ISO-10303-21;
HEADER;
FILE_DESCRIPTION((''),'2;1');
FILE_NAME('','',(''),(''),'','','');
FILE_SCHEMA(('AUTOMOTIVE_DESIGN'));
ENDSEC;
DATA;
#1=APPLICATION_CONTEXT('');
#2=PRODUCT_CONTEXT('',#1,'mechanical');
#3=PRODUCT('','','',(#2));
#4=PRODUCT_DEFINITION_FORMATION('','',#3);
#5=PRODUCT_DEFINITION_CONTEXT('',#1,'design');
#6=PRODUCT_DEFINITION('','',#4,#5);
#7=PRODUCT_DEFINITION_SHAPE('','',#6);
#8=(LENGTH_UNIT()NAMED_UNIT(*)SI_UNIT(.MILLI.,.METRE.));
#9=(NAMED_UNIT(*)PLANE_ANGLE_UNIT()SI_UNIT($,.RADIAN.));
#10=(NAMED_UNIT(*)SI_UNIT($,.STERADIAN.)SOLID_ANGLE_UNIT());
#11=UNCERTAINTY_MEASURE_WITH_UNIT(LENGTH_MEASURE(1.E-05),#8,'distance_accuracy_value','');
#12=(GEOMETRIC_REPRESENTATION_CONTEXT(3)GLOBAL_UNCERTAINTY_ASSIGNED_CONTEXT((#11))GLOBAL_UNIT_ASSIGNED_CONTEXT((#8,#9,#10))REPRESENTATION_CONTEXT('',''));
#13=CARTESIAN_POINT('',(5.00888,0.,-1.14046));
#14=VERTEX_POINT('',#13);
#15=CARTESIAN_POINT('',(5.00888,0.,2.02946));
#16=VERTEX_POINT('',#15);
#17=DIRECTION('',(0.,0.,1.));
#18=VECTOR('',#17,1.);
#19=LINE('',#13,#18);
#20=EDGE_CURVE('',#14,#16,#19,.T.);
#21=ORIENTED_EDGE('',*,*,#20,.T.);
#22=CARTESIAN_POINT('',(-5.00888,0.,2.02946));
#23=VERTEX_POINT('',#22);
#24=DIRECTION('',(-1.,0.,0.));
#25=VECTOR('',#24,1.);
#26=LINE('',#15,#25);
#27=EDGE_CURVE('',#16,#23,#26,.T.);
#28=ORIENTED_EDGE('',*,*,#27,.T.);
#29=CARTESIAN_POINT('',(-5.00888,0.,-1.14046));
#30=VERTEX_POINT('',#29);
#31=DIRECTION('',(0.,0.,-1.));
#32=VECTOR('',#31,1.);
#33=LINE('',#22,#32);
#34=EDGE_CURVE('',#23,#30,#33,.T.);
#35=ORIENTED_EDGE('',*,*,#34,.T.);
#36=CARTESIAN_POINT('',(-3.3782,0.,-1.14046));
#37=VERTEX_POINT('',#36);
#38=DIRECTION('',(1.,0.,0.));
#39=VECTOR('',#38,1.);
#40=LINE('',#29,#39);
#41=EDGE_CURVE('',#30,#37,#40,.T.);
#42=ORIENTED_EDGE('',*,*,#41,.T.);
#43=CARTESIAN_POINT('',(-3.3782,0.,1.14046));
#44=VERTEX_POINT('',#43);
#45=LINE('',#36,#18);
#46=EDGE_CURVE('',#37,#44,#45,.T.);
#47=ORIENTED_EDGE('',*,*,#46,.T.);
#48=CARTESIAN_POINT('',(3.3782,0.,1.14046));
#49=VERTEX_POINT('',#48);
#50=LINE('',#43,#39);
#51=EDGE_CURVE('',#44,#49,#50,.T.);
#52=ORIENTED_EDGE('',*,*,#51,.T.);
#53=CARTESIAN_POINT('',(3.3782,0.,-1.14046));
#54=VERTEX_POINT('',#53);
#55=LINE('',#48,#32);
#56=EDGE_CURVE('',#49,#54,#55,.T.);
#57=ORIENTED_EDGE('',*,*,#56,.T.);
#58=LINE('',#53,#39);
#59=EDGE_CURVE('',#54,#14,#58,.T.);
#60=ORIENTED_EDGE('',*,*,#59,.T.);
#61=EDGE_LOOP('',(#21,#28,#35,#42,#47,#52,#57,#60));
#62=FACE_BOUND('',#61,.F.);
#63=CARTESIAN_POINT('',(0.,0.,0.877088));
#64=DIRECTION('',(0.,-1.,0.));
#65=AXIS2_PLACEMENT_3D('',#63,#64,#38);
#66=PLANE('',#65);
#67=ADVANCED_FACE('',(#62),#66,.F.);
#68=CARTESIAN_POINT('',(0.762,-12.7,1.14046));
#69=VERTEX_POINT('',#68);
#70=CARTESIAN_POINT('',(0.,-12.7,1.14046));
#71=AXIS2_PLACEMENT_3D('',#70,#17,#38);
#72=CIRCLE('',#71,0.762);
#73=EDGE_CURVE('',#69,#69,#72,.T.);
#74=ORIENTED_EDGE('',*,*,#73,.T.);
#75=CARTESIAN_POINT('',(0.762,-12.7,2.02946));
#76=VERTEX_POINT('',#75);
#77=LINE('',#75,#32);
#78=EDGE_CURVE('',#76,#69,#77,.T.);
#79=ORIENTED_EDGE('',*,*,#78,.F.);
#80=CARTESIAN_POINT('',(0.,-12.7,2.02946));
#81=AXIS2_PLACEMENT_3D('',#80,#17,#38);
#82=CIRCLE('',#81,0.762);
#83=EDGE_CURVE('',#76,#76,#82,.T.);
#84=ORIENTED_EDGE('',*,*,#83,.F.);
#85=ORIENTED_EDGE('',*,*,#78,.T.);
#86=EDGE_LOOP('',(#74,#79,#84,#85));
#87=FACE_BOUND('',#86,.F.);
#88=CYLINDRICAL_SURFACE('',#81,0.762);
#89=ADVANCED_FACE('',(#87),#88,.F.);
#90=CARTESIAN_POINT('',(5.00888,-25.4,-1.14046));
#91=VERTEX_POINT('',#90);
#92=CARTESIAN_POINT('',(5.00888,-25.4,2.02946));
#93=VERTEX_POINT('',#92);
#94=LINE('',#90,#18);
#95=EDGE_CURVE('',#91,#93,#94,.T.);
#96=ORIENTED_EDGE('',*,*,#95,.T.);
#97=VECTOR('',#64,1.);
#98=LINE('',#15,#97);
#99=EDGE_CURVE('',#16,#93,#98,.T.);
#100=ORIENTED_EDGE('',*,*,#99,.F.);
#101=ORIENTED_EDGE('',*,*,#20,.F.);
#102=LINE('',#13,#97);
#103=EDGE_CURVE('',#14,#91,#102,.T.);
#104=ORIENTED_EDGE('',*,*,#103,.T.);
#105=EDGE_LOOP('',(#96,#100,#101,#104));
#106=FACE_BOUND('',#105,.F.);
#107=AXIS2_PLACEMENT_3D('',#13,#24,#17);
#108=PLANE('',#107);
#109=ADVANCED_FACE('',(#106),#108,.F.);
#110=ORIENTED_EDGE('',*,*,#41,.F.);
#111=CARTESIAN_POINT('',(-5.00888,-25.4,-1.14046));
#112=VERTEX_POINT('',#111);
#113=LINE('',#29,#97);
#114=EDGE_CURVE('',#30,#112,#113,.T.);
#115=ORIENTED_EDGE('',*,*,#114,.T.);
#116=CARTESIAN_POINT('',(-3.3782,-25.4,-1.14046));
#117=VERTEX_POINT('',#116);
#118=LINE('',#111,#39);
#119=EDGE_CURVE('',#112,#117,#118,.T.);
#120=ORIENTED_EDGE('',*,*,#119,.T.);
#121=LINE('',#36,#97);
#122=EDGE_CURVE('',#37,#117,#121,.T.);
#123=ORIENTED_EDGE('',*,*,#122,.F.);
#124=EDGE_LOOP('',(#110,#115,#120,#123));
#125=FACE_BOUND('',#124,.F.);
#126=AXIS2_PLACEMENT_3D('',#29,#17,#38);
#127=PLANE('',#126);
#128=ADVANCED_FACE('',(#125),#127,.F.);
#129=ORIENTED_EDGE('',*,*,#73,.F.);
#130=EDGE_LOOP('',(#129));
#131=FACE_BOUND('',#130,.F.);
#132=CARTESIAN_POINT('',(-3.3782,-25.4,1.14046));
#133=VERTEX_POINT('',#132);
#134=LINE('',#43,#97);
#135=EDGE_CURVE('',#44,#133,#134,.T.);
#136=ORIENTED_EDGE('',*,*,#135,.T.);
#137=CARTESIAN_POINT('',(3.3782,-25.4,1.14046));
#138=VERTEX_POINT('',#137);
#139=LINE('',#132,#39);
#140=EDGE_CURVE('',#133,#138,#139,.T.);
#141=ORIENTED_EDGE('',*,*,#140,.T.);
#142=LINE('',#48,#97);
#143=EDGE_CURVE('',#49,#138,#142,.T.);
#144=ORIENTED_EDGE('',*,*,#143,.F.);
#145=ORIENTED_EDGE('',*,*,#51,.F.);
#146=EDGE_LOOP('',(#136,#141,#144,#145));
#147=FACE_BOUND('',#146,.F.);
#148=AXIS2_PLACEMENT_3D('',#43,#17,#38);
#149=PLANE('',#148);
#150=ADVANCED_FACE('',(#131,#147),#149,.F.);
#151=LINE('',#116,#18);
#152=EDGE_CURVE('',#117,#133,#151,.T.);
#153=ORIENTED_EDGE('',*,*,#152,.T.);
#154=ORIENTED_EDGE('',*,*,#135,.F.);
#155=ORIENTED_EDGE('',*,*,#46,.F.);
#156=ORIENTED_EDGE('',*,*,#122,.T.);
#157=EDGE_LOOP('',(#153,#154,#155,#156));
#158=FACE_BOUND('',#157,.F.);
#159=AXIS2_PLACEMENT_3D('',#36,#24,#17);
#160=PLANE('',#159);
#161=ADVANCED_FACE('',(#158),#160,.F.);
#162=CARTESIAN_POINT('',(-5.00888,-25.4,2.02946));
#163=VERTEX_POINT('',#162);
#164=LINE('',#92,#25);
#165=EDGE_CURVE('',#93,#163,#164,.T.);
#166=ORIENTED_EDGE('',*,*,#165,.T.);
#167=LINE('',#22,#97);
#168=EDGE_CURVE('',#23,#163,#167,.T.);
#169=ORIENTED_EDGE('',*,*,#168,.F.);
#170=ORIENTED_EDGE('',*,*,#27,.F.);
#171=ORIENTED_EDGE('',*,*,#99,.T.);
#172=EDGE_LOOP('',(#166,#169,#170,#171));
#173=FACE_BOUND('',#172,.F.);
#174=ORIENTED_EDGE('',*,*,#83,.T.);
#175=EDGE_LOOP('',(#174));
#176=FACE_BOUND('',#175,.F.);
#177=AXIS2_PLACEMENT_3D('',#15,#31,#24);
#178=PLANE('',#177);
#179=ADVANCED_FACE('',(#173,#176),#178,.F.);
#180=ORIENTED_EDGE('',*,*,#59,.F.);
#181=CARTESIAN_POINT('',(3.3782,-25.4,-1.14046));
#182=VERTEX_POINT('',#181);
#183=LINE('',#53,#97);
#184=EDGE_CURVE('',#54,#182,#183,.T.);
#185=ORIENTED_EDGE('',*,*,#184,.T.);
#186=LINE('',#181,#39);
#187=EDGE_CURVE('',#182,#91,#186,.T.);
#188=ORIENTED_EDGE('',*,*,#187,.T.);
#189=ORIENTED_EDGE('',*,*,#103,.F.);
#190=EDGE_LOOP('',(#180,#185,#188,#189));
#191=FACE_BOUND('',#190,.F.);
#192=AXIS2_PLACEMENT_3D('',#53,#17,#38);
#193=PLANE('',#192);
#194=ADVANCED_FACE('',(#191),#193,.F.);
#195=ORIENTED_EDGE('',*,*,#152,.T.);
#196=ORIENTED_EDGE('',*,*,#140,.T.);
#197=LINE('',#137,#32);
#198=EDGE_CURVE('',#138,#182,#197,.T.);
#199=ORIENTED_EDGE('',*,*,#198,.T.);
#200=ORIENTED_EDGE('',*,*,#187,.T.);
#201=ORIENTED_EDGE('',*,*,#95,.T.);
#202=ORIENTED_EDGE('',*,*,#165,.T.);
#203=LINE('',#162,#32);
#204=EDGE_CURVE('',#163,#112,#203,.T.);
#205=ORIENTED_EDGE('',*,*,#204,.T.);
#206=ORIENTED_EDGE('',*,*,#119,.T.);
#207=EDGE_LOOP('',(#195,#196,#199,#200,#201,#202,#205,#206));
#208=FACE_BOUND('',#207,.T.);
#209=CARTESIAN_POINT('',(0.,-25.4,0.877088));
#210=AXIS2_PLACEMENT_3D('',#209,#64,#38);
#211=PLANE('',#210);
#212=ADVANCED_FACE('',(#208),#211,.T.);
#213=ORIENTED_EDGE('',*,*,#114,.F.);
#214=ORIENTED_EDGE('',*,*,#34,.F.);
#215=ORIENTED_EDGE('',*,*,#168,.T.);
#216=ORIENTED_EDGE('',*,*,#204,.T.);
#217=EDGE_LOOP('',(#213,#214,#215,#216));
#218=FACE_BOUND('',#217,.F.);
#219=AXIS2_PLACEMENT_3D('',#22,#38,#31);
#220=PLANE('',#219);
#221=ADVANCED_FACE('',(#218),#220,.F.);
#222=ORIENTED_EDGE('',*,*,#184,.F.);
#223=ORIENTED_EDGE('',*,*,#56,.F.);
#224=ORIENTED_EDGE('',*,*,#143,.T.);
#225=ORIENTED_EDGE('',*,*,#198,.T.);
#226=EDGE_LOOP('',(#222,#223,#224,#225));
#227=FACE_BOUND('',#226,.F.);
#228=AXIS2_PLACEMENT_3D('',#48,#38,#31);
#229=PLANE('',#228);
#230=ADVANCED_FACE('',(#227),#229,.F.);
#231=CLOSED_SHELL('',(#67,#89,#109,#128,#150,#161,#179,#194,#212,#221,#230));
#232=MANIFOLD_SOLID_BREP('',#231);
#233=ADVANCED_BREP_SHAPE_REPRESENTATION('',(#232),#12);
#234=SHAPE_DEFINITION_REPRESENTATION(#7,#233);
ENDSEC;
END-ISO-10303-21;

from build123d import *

# Parameters (mm, degrees)
F1_DEPTH = 25.4
F2_R     = 0.762
F3_DEPTH = 3.17092


with BuildPart() as f1:
    # F0 (on Front) → F1 (new body)
    with BuildSketch(Plane.XZ):
        Polygon((5.00888, -1.14046), (5.00888, 2.02946), (-5.00888, 2.02946), (-5.00888, -1.14046), (-3.3782, -1.14046), (-3.3782, 1.14046), (3.3782, 1.14046), (3.3782, -1.14046), align=None)
    extrude(amount=F1_DEPTH)

    # F2 (on face) → F3 (cut, through all)
    with BuildSketch(Plane.XY.offset(2.02946)):
        with Locations((0, -12.7)):
            Circle(F2_R)
    extrude(amount=-F3_DEPTH, mode=Mode.SUBTRACT)


solid = f1.part
